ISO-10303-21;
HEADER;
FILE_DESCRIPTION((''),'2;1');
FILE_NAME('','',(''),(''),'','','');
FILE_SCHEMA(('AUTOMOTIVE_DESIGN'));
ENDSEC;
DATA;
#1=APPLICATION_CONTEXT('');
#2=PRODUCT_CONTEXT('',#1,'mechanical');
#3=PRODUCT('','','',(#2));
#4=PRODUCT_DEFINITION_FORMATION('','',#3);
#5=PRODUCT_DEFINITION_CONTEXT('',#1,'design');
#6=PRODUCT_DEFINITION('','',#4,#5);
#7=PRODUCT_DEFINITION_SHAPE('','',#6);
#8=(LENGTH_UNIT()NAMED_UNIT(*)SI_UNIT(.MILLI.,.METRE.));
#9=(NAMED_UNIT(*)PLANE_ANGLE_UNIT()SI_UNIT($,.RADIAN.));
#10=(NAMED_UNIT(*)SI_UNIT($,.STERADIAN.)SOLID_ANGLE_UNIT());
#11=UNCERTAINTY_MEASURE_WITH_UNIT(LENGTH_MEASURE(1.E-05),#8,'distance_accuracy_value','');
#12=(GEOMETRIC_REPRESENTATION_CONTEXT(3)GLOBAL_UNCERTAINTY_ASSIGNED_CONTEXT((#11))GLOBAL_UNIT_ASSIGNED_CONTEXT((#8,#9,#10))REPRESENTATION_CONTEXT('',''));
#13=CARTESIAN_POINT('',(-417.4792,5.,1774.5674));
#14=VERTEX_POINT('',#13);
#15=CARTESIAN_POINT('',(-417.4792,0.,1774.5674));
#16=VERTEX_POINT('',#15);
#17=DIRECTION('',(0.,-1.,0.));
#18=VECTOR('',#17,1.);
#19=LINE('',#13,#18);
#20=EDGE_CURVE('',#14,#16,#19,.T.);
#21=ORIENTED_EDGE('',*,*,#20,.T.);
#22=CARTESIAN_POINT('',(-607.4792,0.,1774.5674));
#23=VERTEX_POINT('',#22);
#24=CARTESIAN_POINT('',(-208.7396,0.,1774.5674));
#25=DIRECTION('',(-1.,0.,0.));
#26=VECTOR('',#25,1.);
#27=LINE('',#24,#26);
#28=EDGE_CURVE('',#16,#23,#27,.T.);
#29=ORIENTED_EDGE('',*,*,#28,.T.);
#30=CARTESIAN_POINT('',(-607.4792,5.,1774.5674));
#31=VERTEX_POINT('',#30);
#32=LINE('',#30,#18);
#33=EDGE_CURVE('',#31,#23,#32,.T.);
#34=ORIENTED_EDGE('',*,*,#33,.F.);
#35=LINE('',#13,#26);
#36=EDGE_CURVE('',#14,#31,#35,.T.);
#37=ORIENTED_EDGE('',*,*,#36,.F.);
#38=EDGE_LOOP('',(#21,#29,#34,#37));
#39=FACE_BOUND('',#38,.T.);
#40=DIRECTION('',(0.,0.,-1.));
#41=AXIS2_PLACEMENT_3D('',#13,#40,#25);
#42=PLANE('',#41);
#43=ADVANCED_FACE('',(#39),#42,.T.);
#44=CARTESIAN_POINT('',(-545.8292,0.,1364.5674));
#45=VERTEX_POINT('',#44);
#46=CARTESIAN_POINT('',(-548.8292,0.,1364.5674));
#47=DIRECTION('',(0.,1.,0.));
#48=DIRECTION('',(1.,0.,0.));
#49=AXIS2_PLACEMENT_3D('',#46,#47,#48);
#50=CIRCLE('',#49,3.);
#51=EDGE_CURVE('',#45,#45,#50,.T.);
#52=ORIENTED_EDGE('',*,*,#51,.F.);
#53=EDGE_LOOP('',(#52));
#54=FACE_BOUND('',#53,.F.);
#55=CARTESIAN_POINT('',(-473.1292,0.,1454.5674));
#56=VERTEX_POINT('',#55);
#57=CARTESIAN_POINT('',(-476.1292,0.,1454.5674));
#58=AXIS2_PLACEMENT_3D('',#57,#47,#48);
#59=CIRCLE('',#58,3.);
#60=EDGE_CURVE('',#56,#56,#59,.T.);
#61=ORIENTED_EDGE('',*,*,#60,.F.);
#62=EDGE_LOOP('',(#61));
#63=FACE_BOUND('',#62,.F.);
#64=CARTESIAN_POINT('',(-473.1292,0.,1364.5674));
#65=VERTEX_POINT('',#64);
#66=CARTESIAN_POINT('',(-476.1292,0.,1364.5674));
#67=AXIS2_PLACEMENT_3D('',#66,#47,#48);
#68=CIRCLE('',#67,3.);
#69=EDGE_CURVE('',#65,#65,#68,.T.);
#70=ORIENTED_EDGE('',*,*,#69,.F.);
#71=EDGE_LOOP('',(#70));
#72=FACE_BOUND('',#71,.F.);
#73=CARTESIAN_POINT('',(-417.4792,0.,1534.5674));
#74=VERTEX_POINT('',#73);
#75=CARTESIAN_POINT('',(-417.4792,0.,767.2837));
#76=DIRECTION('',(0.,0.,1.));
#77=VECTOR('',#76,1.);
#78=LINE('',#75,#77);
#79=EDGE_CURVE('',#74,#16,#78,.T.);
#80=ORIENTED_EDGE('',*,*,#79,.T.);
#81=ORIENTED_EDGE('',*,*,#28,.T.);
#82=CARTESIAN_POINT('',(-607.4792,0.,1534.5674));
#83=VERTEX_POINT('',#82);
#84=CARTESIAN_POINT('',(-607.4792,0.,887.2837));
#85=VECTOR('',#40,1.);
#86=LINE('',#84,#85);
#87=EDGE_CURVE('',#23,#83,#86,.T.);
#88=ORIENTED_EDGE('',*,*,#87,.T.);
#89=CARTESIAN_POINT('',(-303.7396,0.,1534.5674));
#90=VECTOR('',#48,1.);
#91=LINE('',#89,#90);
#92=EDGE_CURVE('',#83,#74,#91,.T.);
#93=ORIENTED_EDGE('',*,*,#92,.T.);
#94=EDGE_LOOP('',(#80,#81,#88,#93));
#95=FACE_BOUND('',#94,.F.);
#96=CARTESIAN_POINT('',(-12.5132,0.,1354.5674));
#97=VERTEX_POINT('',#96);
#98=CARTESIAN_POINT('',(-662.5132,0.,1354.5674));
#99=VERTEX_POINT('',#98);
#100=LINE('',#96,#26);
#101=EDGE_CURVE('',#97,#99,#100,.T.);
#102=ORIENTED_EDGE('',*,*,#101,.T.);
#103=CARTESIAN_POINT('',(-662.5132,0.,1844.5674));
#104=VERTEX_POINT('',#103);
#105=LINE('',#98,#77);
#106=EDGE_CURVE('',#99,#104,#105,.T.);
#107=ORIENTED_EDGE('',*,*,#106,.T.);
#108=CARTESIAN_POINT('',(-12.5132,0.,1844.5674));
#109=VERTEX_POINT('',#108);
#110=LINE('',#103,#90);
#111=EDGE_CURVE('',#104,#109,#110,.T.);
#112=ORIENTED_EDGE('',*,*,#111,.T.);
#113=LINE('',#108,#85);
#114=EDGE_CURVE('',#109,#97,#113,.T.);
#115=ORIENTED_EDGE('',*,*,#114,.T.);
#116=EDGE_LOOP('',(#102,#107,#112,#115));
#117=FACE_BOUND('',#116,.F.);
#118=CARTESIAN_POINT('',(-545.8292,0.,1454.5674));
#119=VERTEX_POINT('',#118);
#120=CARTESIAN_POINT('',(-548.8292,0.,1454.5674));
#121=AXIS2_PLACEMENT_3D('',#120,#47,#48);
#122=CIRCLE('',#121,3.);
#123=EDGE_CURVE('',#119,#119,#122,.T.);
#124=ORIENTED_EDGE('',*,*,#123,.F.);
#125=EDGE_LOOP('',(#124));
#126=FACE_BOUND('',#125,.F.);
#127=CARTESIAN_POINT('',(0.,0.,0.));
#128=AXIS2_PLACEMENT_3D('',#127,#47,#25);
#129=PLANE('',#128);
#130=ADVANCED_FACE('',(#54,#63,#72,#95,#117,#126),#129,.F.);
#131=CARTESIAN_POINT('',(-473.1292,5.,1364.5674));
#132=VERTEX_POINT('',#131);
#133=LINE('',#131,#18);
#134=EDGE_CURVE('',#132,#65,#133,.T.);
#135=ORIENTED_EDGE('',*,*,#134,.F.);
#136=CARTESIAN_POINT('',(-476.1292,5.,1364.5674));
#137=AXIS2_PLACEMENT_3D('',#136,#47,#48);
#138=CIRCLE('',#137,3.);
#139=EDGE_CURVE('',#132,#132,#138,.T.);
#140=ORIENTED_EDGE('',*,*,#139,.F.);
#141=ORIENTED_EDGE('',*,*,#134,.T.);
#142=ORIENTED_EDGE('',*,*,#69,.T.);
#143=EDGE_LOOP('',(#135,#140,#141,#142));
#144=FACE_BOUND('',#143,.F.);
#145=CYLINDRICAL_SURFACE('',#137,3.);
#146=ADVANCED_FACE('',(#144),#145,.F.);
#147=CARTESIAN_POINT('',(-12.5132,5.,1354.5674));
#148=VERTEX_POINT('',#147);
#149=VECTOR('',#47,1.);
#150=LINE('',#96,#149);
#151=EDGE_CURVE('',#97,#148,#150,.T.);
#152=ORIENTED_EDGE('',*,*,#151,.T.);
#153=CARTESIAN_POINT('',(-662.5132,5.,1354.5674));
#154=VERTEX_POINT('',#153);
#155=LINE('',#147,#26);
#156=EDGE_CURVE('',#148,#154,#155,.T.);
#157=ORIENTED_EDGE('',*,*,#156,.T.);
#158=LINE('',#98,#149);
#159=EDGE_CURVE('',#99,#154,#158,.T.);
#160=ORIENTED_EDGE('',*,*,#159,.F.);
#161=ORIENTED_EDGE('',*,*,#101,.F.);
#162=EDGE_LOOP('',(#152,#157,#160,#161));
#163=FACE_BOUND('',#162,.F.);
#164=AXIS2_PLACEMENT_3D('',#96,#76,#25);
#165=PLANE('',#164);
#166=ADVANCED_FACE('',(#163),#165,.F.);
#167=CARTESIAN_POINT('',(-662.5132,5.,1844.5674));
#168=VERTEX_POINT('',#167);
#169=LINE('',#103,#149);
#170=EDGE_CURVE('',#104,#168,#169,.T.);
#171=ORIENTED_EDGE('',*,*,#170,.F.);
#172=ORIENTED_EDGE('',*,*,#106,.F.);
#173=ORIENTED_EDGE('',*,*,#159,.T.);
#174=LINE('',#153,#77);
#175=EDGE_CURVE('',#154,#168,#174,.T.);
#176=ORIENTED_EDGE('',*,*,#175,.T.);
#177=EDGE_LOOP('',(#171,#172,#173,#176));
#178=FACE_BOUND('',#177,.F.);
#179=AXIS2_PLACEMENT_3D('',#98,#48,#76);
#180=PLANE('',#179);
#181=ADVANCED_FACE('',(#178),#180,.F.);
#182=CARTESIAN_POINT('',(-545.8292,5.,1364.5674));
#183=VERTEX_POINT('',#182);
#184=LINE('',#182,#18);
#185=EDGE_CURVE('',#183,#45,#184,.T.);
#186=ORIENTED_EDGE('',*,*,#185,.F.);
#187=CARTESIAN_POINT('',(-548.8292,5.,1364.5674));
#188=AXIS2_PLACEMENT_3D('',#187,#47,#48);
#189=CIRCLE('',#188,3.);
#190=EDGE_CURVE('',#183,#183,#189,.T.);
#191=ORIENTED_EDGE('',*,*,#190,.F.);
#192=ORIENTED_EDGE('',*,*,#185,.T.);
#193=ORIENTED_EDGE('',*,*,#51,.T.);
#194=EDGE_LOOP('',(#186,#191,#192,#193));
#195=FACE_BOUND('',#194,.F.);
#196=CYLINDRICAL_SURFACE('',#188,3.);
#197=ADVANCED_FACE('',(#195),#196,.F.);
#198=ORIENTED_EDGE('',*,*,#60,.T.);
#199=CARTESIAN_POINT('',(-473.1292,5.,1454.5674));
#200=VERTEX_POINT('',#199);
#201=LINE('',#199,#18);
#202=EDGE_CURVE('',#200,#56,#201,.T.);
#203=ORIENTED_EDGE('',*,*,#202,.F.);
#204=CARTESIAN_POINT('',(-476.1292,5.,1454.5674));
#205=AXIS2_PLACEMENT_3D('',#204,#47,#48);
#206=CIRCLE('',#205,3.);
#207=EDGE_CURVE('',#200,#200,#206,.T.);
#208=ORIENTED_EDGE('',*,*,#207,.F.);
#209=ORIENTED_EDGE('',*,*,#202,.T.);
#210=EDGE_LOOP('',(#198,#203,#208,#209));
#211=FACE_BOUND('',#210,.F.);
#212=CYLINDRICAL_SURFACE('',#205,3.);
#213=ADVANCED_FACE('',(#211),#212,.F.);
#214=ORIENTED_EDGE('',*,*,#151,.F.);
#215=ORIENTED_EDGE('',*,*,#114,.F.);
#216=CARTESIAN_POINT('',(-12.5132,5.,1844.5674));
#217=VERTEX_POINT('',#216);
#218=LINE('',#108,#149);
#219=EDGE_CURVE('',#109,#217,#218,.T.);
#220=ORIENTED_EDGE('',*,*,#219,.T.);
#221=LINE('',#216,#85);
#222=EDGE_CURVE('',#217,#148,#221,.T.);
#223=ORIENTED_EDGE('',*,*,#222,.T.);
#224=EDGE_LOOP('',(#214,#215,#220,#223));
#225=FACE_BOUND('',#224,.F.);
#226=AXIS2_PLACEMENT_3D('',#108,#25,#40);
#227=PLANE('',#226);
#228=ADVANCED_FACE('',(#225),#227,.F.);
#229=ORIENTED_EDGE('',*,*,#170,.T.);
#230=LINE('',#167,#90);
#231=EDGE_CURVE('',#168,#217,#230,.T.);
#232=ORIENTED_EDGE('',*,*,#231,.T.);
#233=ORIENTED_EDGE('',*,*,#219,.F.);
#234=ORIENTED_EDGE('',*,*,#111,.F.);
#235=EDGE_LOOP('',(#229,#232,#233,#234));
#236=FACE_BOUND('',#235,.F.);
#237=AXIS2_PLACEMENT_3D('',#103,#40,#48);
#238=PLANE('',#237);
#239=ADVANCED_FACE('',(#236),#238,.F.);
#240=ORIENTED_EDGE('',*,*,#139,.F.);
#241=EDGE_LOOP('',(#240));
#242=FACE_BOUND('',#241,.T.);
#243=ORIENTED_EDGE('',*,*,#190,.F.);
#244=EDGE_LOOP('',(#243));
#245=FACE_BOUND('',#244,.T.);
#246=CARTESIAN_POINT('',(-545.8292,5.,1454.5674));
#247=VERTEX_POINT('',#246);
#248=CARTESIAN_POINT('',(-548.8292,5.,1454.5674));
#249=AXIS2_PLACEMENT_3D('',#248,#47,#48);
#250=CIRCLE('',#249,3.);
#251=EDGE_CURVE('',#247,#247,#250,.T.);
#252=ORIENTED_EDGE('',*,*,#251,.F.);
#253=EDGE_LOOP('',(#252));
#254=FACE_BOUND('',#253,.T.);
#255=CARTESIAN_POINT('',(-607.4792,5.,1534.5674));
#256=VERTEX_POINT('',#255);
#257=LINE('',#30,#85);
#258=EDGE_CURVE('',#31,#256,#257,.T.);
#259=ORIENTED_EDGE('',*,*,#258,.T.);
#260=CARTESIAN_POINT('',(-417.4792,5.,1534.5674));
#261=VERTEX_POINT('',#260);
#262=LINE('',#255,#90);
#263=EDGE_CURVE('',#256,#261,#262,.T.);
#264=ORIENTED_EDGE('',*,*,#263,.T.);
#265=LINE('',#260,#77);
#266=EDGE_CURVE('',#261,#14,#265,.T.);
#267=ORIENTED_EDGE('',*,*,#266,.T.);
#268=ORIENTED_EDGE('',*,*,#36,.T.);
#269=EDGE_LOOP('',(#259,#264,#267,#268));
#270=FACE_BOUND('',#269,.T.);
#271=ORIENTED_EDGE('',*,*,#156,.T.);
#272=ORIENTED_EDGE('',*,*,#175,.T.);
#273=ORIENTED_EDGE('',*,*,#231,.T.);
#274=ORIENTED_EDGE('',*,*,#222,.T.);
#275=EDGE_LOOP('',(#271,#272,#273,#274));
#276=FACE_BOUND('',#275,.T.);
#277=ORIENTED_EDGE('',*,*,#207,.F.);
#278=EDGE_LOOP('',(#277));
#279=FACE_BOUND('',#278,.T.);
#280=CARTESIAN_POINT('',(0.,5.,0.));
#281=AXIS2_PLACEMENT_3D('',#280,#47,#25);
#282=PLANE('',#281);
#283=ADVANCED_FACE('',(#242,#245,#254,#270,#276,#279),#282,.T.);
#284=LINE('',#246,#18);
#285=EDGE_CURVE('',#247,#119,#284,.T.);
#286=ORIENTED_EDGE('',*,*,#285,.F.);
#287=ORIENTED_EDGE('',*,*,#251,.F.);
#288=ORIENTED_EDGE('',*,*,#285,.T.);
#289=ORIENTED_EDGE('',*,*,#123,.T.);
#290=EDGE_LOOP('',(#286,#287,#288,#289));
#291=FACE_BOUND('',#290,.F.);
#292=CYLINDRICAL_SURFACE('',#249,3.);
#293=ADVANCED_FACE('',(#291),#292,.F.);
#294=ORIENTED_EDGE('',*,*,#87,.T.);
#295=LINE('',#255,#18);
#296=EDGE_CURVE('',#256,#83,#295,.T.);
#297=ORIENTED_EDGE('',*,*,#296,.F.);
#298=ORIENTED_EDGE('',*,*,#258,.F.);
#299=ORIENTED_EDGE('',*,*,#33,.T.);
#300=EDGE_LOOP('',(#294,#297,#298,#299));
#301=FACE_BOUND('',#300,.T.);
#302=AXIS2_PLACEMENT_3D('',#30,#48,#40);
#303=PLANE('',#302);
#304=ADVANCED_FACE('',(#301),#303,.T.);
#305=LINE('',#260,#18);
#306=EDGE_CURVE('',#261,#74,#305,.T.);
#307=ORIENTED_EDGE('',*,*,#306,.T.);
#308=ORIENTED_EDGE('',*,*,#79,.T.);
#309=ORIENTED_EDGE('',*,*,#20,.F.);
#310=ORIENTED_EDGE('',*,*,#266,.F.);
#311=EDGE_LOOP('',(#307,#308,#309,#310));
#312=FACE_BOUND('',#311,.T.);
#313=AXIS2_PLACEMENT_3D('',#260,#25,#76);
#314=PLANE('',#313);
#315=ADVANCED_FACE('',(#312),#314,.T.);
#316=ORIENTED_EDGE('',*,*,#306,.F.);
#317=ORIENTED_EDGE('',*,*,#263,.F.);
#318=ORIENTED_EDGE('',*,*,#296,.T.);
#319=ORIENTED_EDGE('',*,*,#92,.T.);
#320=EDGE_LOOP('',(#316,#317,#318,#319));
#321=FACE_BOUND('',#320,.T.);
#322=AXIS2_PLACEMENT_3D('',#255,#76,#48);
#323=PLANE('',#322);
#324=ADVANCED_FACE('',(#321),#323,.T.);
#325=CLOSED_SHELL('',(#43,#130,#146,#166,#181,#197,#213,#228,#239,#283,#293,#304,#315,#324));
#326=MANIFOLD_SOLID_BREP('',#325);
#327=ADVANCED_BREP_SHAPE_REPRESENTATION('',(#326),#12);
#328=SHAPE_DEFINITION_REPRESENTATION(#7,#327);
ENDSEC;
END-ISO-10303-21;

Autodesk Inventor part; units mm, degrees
ref_plane "YZ Plane" through (0, 0, 0) normal (1, 0, 0) x (0, 1, 0)
ref_plane "XZ Plane" through (0, 0, 0) normal (0, 1, 0) x (-1, 0, 0)
ref_plane "XY Plane" through (0, 0, 0) normal (0, 0, 1) x (1, 0, 0)
sketch "Boceto1" plane through (0, 0, 0) normal (0, 1, 0) x (-1, 0, 0)
  line L0 (662.5132, 1844.5674) -> (12.5132, 1844.5674)
  line L1 (12.5132, 1844.5674) -> (12.5132, 1354.5674)
  line L2 (12.5132, 1354.5674) -> (662.5132, 1354.5674)
  line L3 (662.5132, 1354.5674) -> (662.5132, 1844.5674)
  point P0 (0, 0)
  dimension "d0" = 650
  dimension "d1" = 490
extrude "Extrusión1" add sketch "Boceto1" along normal blind 5
sketch "Boceto2" plane through (0, 5, 0) normal (0, 1, 0) x (1, 0, 0)
  arc A0 (-288.7292, -1279.5674) -> (-301.2292, -1279.5674) centre (-294.9792, -1279.5674) ccw projected
  circle A1 centre (-548.8292, -1364.5674) radius 3
  circle A2 centre (-476.1292, -1364.5674) radius 3
  circle A3 centre (-476.1292, -1454.5674) radius 3
  circle A4 centre (-548.8292, -1454.5674) radius 3
  point P0 (0, 0)
  dimension "d6" = 6
  dimension "d7" = 253.85
  dimension "d9" = 6
  dimension "d10" = 72.7
  dimension "d11" = 6
  dimension "d12" = 6
  dimension "d13" = 90
  dimension "d14" = 90
extrude "Extrusión3" cut sketch "Boceto2" against normal through all
sketch "Boceto3" plane through (0, 5, 0) normal (0, 1, 0) x (1, 0, 0)
  line L0 (-502.9542, -1515.5674) -> (-522.0042, -1515.5674) projected
  line L1 (-607.4792, -1534.5674) -> (-417.4792, -1534.5674)
  line L2 (-417.4792, -1534.5674) -> (-417.4792, -1774.5674)
  line L3 (-417.4792, -1774.5674) -> (-607.4792, -1774.5674)
  line L4 (-607.4792, -1774.5674) -> (-607.4792, -1534.5674)
  line L5 (-662.5132, -1844.5674) -> (-12.5132, -1844.5674) projected
  point P0 (0, 0)
  point P1 (-512.4792, -1534.5674)
  point P2 (-512.4792, -1515.5674)
  dimension "d17" = 190
  dimension "d18" = 240
  dimension "d19" = 70
extrude "Extrusión4" cut sketch "Boceto3" against normal through all
properties material "Aluminio 6061"
